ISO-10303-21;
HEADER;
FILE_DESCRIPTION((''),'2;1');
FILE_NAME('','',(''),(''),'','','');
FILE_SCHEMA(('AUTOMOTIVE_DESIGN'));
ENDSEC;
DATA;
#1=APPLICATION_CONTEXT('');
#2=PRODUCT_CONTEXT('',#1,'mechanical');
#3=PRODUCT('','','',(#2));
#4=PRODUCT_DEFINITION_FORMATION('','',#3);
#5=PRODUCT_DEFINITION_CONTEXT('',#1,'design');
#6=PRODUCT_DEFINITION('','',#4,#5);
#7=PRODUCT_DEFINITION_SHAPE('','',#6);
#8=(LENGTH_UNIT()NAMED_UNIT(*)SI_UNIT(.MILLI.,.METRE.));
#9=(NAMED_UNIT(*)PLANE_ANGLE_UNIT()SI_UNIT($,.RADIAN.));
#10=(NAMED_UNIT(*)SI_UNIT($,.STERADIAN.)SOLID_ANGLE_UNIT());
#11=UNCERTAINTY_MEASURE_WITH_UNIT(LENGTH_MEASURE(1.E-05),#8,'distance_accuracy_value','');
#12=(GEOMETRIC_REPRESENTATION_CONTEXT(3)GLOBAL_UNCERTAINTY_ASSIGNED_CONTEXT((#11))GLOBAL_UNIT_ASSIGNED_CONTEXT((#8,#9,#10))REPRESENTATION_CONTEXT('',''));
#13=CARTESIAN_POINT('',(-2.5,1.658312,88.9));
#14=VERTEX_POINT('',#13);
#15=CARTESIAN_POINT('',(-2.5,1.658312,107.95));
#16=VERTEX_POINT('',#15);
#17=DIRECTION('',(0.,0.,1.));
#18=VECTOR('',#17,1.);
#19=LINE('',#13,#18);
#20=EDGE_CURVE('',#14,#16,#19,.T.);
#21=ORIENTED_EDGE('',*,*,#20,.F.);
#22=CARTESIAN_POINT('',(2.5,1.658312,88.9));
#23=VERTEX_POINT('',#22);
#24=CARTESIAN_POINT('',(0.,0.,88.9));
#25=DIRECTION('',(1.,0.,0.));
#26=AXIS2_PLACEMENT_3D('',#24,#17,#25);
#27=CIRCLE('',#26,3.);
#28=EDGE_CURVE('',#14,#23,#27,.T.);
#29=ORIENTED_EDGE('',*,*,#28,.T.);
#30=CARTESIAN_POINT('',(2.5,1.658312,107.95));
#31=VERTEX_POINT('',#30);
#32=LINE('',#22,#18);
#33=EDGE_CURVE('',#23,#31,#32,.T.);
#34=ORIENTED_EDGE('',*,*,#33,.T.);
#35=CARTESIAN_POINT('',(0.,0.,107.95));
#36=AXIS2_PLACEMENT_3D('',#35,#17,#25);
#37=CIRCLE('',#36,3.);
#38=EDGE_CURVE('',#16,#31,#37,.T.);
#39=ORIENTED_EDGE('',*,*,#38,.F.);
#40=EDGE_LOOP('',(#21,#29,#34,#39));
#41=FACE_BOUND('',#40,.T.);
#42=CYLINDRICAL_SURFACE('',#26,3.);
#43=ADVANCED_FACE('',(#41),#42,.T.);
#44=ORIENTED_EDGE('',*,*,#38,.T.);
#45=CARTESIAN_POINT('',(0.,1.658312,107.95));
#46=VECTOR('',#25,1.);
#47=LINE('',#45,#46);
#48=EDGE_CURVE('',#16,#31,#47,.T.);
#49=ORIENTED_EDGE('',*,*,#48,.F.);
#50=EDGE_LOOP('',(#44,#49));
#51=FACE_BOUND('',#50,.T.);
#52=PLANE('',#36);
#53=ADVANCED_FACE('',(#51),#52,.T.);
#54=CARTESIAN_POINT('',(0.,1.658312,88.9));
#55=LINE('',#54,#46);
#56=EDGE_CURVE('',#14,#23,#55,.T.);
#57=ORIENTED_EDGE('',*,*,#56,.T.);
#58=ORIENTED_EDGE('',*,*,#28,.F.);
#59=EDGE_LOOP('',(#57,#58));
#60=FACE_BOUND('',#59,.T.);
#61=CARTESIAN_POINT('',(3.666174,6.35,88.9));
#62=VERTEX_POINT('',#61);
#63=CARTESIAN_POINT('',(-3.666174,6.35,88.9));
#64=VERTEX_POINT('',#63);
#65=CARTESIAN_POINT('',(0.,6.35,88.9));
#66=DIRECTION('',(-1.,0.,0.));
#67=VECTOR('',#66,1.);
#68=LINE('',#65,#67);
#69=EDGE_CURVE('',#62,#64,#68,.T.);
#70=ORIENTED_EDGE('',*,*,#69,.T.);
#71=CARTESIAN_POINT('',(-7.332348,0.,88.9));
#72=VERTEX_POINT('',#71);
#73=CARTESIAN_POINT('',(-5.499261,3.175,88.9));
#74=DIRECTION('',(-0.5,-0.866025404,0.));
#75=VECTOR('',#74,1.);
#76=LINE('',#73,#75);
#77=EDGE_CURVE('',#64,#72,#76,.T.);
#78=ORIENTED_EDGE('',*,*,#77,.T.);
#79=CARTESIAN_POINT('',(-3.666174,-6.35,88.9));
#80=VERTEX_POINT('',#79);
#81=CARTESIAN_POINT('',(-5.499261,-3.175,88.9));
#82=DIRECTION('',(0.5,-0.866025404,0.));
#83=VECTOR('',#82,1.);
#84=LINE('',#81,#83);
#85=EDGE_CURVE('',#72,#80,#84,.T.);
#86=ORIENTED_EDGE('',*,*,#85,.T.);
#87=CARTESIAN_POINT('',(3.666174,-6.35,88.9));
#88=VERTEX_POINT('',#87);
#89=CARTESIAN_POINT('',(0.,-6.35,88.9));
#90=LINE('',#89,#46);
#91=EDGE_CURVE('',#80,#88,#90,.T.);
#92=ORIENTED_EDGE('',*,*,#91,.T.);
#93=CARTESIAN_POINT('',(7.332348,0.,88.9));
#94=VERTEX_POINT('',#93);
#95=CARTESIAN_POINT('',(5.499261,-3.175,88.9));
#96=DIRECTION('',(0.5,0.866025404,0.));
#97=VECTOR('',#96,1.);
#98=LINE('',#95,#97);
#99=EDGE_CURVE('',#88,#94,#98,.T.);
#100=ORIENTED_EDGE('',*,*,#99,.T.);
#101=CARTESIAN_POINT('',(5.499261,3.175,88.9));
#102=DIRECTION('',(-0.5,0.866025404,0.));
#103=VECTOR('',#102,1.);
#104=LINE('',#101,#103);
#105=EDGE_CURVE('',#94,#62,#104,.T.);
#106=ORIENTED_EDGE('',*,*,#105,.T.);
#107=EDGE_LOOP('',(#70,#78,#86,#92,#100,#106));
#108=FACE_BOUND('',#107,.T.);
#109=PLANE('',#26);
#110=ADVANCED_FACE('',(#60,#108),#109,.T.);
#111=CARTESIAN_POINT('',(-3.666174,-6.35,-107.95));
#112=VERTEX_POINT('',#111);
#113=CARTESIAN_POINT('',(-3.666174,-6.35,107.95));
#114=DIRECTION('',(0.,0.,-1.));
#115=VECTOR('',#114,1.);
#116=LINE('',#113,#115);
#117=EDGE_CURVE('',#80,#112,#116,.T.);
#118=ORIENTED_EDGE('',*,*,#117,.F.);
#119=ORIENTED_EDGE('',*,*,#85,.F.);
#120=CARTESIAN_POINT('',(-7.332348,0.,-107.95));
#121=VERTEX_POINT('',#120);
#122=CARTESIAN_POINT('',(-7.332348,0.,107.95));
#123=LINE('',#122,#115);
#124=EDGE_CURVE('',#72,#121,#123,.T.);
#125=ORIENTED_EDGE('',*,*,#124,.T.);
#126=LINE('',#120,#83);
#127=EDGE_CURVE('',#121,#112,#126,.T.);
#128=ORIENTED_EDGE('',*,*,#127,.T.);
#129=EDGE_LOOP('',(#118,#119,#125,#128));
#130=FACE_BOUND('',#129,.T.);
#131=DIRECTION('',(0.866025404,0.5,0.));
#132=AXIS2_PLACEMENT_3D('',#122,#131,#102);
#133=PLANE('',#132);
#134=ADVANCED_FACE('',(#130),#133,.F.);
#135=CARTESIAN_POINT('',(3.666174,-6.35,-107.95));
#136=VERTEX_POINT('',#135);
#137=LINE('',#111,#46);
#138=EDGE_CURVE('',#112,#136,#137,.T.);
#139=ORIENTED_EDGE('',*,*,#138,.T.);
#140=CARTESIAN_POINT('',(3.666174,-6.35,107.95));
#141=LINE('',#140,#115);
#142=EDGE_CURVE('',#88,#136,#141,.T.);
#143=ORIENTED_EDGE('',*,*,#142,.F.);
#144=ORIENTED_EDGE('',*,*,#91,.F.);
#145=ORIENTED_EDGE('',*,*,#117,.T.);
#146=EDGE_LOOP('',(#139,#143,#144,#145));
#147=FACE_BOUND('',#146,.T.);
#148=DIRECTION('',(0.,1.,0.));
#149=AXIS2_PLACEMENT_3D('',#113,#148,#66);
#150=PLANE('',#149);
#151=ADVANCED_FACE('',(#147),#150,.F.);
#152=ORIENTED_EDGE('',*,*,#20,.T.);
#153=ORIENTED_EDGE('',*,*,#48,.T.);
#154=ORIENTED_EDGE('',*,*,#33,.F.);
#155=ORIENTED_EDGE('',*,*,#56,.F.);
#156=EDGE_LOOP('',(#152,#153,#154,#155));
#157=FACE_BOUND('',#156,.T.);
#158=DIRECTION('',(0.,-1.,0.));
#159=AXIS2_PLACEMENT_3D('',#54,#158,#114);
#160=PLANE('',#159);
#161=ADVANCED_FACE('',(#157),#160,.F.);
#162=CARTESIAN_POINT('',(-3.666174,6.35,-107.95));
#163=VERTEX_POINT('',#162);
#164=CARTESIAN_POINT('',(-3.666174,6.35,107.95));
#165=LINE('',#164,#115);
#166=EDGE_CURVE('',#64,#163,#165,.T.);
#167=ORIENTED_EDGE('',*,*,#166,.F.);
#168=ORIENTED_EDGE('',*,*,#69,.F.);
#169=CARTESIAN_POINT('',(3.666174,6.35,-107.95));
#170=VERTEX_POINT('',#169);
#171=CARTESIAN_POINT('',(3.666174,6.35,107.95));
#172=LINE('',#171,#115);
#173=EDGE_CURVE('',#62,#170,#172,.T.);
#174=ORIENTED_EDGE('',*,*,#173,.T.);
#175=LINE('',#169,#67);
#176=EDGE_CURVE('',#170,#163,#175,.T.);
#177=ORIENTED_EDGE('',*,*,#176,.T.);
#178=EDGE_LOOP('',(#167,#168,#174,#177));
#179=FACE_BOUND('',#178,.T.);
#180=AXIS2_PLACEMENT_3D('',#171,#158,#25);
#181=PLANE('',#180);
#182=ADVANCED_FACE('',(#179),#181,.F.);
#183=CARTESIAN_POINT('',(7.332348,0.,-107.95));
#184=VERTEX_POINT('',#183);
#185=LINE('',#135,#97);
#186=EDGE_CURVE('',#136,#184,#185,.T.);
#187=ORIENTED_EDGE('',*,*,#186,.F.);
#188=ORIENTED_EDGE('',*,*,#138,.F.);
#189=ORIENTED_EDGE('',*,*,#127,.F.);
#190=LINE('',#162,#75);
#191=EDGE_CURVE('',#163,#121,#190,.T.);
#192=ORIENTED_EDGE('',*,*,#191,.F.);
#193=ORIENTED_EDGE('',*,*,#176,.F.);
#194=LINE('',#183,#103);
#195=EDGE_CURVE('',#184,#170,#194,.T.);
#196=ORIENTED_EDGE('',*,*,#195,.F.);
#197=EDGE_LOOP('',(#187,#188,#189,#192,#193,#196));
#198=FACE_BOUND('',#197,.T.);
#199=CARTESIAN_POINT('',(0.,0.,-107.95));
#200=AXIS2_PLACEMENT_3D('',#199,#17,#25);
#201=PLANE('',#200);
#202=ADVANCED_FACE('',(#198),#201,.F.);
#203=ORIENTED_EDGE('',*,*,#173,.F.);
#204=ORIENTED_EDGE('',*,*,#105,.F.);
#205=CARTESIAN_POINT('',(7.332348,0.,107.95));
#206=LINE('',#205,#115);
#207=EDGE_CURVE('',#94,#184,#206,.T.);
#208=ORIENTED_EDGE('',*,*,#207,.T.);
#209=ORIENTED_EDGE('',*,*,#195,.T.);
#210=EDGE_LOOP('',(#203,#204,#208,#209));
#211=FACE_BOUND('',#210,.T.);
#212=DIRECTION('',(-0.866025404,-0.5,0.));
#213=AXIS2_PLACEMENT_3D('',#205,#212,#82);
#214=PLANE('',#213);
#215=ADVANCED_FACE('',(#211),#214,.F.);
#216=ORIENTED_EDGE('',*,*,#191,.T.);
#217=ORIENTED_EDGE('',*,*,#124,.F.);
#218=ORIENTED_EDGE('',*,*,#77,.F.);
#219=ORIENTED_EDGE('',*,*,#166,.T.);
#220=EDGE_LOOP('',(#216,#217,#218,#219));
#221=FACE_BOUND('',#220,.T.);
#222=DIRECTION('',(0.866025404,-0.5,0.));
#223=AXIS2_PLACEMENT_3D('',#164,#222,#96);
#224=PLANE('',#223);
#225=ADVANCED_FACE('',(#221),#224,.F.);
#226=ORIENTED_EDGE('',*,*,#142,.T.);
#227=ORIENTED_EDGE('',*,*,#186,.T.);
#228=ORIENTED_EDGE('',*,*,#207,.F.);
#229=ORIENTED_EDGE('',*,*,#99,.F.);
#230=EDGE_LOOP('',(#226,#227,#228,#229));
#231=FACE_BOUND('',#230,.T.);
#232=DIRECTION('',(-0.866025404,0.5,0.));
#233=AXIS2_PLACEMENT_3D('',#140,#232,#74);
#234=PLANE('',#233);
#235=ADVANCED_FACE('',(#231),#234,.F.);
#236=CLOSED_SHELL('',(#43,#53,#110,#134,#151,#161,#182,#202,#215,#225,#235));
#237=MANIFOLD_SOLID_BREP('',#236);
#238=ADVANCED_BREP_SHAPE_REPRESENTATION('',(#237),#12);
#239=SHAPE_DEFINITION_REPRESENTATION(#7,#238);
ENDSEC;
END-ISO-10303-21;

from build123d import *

# Parameters (mm, degrees)
BOSS_EXTRUDE1_DEPTH = 107.95
CUT_EXTRUDE1_DEPTH  = 19.05


with BuildPart() as part:
    # Sketch1 → Boss-Extrude1 (new, symmetric)
    with BuildSketch(Plane.XY):
        Polygon((3.666174209, 6.35), (-3.666174209, 6.35), (-7.332348419, 0), (-3.666174209, -6.35), (3.666174209, -6.35), (7.332348419, 0), align=None)
    extrude(amount=BOSS_EXTRUDE1_DEPTH, both=True)

    # Sketch2 → Cut-Extrude1 (cut)
    with BuildSketch(Plane.XY.offset(107.95)):
        Polygon((-3.666174209, 6.35), (-7.332348419, 0), (-3.666174209, -6.35), (3.666174209, -6.35), (7.332348419, 0), (3.666174209, 6.35), align=None)
        with BuildLine():
            Line((-2.5, 1.658312395), (2.5, 1.658312395))
            ThreePointArc((2.5, 1.658312395), (0, -3), (-2.5, 1.658312395))
        make_face(mode=Mode.SUBTRACT)
    extrude(amount=-CUT_EXTRUDE1_DEPTH, mode=Mode.SUBTRACT)


solid = part.part
